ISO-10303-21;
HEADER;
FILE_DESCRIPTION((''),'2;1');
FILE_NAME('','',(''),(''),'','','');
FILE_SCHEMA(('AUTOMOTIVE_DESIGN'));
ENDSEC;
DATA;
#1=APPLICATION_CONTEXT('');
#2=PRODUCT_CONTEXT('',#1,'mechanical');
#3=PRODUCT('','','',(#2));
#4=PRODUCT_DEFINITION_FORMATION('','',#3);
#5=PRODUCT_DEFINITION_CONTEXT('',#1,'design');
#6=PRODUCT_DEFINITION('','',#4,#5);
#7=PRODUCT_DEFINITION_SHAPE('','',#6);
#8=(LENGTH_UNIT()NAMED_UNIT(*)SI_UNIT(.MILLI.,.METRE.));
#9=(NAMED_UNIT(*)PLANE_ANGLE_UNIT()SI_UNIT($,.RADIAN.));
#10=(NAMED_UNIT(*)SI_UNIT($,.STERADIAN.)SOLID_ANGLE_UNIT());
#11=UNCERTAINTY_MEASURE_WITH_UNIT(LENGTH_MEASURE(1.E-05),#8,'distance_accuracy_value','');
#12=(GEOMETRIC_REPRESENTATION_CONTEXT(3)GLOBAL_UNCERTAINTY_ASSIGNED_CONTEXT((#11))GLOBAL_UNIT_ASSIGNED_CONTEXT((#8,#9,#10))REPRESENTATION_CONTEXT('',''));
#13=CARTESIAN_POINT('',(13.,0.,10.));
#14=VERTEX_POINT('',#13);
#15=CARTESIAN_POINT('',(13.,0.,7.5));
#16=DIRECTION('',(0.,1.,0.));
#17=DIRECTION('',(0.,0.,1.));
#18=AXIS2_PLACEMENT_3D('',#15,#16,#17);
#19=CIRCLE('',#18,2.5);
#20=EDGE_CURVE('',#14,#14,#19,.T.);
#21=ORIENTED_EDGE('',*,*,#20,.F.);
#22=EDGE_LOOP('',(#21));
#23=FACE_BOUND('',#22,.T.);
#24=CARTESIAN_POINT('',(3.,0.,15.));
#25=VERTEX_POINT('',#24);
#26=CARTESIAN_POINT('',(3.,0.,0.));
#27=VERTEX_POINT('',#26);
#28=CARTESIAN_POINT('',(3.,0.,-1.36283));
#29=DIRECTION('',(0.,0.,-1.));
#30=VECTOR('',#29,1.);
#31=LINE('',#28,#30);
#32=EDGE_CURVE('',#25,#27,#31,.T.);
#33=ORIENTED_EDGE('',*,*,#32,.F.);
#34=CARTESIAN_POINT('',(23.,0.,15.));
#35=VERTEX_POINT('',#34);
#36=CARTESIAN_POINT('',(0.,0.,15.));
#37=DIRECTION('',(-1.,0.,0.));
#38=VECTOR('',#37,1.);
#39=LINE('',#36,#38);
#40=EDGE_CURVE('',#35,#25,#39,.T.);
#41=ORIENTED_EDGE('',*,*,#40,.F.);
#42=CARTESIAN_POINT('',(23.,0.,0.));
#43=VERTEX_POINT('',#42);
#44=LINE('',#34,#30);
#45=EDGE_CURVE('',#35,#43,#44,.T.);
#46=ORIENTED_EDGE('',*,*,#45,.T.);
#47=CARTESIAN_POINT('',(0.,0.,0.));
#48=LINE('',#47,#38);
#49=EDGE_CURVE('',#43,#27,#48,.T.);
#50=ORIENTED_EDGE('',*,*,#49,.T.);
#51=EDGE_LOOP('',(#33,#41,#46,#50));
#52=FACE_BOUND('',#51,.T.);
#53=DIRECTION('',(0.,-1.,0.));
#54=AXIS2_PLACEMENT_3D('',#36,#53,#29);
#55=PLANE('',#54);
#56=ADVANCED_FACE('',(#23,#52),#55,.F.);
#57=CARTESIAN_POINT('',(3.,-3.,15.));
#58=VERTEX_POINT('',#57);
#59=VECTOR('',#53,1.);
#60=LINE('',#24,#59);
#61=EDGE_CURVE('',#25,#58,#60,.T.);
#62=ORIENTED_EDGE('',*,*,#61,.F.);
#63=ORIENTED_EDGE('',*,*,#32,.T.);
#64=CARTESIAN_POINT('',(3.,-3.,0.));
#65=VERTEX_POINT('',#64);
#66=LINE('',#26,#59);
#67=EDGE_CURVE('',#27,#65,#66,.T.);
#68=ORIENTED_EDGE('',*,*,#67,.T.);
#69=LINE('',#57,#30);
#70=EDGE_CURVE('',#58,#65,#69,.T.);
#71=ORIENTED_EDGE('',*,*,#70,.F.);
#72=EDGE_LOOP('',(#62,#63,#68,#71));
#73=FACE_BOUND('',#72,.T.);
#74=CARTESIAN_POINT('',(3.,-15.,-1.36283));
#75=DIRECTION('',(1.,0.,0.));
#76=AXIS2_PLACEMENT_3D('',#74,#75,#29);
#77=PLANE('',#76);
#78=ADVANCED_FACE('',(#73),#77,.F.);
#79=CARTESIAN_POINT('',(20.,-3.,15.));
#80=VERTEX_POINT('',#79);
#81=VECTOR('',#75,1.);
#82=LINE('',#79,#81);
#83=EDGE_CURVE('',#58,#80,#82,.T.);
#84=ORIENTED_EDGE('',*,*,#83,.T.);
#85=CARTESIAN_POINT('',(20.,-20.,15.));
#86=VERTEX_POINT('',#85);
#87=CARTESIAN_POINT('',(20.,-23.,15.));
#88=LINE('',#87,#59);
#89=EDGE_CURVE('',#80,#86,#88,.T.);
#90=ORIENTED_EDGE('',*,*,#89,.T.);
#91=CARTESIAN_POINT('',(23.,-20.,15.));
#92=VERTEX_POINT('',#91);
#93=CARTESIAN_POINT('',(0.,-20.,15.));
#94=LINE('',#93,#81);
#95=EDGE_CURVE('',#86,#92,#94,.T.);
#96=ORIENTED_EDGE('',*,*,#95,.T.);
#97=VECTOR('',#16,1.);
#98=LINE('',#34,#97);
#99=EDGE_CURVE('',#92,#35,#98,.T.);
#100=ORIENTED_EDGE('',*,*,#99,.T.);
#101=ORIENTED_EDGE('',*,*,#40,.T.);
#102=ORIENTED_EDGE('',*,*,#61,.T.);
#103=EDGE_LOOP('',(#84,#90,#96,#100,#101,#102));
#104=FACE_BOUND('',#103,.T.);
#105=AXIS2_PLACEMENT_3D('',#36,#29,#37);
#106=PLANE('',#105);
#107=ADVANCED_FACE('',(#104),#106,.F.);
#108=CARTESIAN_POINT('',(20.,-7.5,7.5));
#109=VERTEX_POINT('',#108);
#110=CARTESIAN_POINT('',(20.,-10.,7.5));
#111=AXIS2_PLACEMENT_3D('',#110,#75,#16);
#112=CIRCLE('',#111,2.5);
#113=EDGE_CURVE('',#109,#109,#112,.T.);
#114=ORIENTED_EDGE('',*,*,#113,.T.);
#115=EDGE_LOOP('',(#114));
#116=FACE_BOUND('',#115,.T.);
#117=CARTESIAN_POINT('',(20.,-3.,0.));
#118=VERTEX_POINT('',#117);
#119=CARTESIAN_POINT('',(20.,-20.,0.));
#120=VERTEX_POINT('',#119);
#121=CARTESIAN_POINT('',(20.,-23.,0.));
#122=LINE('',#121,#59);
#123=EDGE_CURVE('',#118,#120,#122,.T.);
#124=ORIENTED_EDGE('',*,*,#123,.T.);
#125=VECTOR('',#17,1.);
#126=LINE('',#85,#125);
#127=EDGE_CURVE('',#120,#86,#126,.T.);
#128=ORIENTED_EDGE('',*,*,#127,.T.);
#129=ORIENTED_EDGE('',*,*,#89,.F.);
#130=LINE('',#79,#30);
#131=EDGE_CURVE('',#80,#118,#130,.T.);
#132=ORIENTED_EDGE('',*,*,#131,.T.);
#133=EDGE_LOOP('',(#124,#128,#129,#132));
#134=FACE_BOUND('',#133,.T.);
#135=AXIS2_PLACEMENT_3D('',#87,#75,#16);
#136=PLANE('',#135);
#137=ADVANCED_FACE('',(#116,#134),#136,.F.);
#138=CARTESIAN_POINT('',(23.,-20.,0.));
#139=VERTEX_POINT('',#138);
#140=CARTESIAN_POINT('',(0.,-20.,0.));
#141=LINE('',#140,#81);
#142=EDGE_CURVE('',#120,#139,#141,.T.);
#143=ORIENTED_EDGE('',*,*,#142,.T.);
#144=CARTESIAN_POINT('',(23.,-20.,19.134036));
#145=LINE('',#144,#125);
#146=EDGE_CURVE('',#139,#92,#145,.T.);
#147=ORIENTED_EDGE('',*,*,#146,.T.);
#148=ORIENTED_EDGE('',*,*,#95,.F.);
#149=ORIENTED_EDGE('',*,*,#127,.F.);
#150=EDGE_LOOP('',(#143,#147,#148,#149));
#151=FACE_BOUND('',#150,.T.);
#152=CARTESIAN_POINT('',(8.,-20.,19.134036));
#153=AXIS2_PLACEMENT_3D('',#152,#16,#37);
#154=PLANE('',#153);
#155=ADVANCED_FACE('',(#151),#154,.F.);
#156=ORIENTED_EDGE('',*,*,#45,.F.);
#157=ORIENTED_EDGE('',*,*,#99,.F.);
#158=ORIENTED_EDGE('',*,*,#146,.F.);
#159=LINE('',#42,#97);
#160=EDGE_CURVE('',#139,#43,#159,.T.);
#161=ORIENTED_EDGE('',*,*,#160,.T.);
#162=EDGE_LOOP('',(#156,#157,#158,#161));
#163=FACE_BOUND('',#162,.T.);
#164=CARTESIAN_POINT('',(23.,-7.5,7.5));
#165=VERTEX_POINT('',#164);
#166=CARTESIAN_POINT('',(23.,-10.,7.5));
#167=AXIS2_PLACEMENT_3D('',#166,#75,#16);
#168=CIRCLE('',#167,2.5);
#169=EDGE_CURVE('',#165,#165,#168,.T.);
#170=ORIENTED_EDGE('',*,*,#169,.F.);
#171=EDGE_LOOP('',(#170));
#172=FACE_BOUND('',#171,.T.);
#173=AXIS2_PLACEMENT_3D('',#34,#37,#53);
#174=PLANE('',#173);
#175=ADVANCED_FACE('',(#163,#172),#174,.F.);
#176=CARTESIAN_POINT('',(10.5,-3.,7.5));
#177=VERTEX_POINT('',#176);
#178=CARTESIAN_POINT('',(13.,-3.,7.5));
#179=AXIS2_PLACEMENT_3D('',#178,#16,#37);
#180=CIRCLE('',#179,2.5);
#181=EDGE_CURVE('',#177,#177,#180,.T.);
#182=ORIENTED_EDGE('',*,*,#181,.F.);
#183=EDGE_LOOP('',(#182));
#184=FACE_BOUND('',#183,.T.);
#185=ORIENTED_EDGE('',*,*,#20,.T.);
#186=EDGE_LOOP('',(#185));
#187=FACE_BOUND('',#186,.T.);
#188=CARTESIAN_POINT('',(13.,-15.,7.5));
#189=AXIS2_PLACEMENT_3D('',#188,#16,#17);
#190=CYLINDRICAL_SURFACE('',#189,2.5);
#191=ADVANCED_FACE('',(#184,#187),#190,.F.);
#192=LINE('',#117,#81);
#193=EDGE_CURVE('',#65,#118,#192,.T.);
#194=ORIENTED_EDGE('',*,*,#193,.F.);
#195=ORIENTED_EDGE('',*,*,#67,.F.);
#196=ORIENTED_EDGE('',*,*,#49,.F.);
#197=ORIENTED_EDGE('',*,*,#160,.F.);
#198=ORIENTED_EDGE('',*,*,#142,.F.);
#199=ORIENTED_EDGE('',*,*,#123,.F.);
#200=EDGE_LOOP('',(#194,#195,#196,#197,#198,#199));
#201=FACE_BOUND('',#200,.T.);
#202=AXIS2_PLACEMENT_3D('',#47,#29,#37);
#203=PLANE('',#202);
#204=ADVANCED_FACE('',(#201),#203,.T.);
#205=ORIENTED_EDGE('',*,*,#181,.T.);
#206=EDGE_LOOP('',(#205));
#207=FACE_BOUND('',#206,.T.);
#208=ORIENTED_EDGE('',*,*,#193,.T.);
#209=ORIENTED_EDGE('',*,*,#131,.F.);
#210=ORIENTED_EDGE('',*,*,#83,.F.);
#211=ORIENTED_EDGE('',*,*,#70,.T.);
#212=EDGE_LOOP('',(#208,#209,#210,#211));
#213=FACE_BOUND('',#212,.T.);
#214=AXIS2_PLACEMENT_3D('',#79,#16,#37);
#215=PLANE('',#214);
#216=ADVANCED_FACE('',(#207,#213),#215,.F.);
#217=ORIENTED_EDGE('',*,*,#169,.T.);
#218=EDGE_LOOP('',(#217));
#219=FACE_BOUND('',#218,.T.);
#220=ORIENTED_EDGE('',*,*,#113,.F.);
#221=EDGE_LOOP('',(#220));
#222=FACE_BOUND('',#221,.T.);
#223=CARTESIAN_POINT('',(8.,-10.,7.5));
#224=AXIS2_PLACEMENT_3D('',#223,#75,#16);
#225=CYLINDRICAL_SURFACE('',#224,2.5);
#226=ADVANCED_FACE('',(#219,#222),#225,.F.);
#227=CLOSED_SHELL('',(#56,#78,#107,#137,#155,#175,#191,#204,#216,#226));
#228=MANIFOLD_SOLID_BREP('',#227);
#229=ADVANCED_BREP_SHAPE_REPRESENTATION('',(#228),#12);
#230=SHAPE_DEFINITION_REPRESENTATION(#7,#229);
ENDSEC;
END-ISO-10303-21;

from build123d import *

# Parameters (mm, degrees)
EXTRUDE_1_DEPTH     = 15
SKETCH_2_R          = 2.5
CUT_EXTRUDE_1_DEPTH = 15
SKETCH_3_R          = 2.5
CUT_EXTRUDE_2_DEPTH = 15
SKETCH_4_W          = 22.93908914
SKETCH_4_H          = 7.177811465
CUT_EXTRUDE_3_DEPTH = 15
SKETCH_5_W          = 3.489667051
SKETCH_5_H          = 17.448335256
CUT_EXTRUDE_4_DEPTH = 15


with BuildPart() as part:
    # 스케치1 → 보스-돌출1 (new body)
    with BuildSketch(Plane.XY):
        Polygon((0, 0), (23, 0), (23, -23), (20, -23), (20, -3), (0, -3), align=None)
    extrude(amount=EXTRUDE_1_DEPTH)

    # 스케치2 → 컷-돌출1 (cut)
    with BuildSketch(Plane(origin=(0, 0, 0), x_dir=(1, 0, 0), z_dir=(0, 1, 0))):
        with Locations(Location((13, -7.5, 0), (0, 0, 270))):
            Circle(SKETCH_2_R)
    extrude(amount=-CUT_EXTRUDE_1_DEPTH, mode=Mode.SUBTRACT)

    # 스케치3 → 컷-돌출2 (cut)
    with BuildSketch(Plane(origin=(23, 0, 0), x_dir=(0, 0, -1), z_dir=(1, 0, 0))):
        with Locations(Location((-7.5, -10, 0), (0, 0, 90))):
            Circle(SKETCH_3_R)
    extrude(amount=-CUT_EXTRUDE_2_DEPTH, mode=Mode.SUBTRACT)

    # 스케치4 → 컷-돌출3 (cut)
    with BuildSketch(Plane(origin=(23, 0, 0), x_dir=(0, 0, -1), z_dir=(1, 0, 0))):
        with Locations((-7.664491513, -23.588905733)):
            Rectangle(SKETCH_4_W, SKETCH_4_H)
    extrude(amount=-CUT_EXTRUDE_3_DEPTH, mode=Mode.SUBTRACT)

    # 스케치5 → 컷-돌출4 (cut)
    with BuildSketch(Plane(origin=(0, 0, 0), x_dir=(1, 0, 0), z_dir=(0, 1, 0))):
        with Locations((1.255166474, -7.361337733)):
            Rectangle(SKETCH_5_W, SKETCH_5_H)
    extrude(amount=-CUT_EXTRUDE_4_DEPTH, mode=Mode.SUBTRACT)


solid = part.part
